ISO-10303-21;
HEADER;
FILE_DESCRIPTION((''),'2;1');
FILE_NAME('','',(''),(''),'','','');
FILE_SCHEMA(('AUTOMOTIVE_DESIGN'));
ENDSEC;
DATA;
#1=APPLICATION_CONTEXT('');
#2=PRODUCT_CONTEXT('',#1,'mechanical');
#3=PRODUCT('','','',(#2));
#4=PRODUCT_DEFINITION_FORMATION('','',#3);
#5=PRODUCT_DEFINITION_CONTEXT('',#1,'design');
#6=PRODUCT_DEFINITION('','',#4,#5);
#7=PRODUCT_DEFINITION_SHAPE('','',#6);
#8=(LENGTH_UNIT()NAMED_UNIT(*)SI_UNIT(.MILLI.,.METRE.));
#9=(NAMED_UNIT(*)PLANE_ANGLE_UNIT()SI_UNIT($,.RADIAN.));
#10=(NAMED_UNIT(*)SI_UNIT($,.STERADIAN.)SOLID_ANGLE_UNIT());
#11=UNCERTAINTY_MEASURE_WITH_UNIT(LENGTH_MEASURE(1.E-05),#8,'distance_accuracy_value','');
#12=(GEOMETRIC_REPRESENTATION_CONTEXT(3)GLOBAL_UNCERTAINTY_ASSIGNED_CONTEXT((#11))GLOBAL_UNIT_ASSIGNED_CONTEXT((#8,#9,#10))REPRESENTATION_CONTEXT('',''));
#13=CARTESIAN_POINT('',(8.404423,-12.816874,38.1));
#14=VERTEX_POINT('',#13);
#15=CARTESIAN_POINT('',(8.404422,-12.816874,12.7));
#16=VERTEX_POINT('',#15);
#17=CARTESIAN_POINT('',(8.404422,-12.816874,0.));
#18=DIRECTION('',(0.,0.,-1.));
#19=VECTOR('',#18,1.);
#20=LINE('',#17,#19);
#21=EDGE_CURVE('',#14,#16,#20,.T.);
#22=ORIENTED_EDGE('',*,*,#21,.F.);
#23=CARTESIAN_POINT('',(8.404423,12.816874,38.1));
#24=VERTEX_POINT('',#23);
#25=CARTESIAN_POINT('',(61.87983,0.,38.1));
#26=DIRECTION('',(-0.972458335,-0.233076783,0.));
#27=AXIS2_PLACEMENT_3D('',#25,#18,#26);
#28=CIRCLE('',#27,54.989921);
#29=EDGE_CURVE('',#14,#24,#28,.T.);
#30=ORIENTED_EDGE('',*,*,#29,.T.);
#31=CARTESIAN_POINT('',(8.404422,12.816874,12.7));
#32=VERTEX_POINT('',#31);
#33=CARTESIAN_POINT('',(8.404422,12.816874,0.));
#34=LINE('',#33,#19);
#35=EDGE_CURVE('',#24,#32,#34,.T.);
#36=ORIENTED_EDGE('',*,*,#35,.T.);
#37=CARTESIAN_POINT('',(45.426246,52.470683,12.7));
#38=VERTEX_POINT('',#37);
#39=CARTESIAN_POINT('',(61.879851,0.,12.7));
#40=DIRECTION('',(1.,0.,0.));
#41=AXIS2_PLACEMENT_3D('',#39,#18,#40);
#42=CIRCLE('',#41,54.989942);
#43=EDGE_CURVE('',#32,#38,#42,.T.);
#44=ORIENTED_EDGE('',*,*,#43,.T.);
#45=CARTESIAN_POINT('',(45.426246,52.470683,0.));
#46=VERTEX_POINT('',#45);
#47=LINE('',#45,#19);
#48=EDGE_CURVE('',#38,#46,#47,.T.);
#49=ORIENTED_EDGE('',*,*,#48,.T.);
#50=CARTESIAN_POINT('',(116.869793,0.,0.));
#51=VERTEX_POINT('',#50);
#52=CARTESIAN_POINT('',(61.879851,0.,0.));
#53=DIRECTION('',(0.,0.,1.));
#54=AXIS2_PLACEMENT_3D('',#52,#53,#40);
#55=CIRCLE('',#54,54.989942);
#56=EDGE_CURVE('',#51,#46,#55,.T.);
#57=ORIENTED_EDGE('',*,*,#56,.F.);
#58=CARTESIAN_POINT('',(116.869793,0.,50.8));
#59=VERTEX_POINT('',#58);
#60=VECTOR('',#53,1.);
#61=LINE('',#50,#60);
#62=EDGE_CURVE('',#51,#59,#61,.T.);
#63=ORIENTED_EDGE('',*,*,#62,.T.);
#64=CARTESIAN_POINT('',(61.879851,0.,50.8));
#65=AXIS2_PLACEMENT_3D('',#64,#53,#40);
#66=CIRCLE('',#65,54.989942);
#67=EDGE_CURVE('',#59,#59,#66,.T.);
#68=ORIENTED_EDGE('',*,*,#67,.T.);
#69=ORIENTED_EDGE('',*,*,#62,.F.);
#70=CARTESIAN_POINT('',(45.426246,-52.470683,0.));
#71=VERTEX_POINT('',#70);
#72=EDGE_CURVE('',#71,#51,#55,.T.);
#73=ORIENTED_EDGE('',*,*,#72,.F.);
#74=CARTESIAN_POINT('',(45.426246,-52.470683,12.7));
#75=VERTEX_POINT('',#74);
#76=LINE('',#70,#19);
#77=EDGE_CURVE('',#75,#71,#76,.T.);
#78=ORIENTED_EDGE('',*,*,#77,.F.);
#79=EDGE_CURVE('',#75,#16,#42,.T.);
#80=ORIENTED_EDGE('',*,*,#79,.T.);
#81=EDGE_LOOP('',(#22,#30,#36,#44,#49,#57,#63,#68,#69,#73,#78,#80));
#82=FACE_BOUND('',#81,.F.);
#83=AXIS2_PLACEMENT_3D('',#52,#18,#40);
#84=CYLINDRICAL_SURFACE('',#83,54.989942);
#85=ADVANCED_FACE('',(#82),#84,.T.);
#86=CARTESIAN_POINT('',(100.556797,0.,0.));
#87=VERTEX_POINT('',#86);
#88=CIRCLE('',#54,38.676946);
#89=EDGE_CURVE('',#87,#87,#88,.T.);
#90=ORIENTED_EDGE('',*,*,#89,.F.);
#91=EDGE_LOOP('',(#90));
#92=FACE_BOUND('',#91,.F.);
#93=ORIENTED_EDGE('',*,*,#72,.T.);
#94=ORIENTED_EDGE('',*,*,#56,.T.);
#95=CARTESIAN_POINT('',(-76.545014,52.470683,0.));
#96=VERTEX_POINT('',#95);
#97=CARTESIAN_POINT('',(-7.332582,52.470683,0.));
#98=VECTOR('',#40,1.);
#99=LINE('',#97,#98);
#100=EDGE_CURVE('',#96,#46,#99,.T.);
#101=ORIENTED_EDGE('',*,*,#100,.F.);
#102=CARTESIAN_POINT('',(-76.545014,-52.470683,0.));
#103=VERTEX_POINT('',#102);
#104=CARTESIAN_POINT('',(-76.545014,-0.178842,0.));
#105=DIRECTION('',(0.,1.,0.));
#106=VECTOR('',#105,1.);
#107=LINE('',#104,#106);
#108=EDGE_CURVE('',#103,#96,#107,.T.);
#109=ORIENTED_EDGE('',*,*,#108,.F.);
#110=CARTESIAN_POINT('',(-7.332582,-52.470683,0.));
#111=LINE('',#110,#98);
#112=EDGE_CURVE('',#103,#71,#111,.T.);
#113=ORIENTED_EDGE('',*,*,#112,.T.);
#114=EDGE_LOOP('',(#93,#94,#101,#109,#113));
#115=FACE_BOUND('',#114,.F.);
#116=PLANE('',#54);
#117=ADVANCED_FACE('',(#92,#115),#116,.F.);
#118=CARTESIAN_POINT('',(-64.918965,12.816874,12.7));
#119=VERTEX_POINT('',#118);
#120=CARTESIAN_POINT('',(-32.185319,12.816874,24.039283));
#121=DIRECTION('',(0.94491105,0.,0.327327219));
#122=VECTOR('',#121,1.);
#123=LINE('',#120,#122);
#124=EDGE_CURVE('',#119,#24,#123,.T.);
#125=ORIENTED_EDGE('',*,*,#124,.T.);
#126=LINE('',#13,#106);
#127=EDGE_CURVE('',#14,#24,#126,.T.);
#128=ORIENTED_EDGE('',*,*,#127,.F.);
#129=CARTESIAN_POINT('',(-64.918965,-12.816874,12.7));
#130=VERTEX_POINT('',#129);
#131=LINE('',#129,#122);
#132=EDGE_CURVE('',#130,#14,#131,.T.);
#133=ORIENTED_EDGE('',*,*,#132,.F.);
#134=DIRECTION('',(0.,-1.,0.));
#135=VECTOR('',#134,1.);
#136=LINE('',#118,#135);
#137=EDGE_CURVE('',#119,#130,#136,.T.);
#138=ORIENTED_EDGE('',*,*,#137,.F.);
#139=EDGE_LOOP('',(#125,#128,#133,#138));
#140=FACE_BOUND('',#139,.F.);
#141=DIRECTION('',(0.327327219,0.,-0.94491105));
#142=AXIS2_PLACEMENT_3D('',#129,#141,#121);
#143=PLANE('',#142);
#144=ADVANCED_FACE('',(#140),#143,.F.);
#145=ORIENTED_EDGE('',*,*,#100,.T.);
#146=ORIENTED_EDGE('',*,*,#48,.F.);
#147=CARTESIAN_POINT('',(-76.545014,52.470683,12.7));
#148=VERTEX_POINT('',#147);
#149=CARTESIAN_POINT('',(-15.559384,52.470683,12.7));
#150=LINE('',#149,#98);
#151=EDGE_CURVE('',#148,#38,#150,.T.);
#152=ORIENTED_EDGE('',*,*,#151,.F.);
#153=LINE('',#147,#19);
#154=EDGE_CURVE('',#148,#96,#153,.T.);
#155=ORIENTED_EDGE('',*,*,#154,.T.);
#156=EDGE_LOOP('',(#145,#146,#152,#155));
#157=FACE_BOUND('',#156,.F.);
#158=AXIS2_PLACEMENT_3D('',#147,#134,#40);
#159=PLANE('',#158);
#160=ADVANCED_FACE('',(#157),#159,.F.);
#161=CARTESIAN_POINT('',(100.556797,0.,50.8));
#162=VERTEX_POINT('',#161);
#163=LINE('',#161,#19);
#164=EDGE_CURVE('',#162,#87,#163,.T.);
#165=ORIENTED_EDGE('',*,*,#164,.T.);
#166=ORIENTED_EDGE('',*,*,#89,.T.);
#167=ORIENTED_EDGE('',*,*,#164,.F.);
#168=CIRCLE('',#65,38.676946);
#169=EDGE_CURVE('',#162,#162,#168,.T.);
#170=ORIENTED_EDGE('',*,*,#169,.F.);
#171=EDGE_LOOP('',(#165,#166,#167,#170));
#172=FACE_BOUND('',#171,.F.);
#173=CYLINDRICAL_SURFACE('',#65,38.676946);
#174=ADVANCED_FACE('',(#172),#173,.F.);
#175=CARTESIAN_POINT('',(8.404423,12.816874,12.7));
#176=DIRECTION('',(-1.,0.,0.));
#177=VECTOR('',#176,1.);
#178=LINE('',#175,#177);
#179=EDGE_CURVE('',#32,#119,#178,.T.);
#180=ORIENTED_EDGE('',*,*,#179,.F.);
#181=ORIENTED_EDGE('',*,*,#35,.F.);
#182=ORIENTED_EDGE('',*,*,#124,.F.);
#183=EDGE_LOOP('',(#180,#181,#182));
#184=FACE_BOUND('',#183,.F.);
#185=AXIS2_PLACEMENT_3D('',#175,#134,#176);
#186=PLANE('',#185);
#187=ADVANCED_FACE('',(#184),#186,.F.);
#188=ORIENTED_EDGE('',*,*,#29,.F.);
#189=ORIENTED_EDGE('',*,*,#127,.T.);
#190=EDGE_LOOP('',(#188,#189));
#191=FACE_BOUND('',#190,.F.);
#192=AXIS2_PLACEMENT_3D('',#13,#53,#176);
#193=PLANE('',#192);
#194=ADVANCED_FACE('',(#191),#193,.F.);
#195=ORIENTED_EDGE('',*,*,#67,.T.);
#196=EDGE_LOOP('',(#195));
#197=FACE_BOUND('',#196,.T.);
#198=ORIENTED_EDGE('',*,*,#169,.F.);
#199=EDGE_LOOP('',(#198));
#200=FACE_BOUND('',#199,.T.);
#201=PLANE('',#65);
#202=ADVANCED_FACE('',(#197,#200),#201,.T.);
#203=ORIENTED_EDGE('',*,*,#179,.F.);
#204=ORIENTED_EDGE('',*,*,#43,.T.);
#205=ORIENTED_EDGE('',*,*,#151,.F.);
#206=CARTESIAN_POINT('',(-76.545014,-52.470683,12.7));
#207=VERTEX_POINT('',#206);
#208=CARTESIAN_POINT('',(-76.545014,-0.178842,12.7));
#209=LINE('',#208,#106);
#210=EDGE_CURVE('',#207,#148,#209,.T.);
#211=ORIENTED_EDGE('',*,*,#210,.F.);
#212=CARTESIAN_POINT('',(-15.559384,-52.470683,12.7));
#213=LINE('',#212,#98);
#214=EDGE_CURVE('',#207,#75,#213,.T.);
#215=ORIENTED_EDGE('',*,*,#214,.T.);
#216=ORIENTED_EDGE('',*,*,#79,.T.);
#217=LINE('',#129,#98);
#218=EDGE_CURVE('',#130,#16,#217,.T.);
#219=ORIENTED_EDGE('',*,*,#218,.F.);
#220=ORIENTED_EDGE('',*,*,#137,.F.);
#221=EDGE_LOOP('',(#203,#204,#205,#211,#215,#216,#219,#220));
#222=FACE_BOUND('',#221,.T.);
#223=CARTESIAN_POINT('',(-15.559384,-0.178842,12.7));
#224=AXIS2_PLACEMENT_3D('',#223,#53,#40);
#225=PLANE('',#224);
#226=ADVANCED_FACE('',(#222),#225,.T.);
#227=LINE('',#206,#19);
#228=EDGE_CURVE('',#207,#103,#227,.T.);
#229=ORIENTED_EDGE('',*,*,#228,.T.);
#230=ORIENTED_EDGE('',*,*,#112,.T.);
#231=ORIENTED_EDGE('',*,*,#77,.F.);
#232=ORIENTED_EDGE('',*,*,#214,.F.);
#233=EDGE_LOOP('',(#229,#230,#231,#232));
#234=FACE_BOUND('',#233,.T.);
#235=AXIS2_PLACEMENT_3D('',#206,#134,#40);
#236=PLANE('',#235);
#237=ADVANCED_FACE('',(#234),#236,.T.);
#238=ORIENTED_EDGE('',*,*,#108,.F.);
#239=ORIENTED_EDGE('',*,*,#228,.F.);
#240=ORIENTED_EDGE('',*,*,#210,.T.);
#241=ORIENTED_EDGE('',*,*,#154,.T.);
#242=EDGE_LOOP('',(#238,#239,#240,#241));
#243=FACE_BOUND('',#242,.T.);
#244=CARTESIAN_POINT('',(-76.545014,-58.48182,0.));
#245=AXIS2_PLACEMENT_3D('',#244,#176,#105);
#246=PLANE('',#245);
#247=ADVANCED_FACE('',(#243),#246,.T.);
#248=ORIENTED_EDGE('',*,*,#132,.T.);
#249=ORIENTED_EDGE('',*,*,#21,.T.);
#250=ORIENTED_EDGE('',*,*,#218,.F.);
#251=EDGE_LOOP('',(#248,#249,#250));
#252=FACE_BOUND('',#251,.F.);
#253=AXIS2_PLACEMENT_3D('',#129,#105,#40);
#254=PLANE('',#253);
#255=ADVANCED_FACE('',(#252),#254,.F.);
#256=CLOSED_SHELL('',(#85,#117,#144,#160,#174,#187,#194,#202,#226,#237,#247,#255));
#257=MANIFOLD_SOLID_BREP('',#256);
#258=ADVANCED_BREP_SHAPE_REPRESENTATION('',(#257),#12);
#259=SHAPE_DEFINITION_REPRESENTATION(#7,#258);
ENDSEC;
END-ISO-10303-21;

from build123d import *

# Parameters (mm, degrees)
F0_W      = 121.971261
F0_H      = 116.605956
F1_DEPTH  = 12.7
F2_R      = 54.989942
F3_DEPTH  = 50.8
F4_R      = 38.676946
F5_DEPTH  = 101.6
F7_DEPTH  = 25.4
F9_DEPTH  = 50.8
F10_W     = 121.971261
F10_H     = 6.011137
F11_DEPTH = 25.4
F12_W     = 121.971261
F12_H     = 5.653453
F13_DEPTH = 25.4


with BuildPart() as f1:
    # F0 (on Top) → F1 (new body)
    with BuildSketch(Plane.XY):
        with Locations((-15.559384, -0.178842)):
            Rectangle(F0_W, F0_H)
    extrude(amount=F1_DEPTH)

    # F2 (on Top) → F3 (join)
    with BuildSketch(Plane.XY):
        with Locations((61.879851, 0)):
            Circle(F2_R)
    extrude(amount=F3_DEPTH)

    # F4 (on face) → F5 (cut)
    with BuildSketch(Plane.XY.offset(50.8)):
        with Locations((61.879851, 0)):
            Circle(F4_R)
    extrude(amount=-F5_DEPTH, mode=Mode.SUBTRACT)

    # F6 (on face) → F7 (join)
    with BuildSketch(Plane.XY.offset(12.7)):
        with BuildLine():
            ThreePointArc((8.404423, -12.816874), (6.889909, 0), (8.404423, 12.816874))
            Line((8.404423, 12.816874), (-64.918965, 12.816874))
            Line((-64.918965, 12.816874), (-64.918965, -12.816874))
            Line((-64.918965, -12.816874), (8.404423, -12.816874))
        make_face()
    extrude(amount=F7_DEPTH)

    # F8 (on face) → F9 (cut)
    with BuildSketch(Plane.XZ.offset(12.816874)):
        Polygon((-64.918965, 12.7), (8.404423, 38.1), (-64.918965, 38.1), align=None)
    extrude(amount=-F9_DEPTH, mode=Mode.SUBTRACT)

    # F10 (on face) → F11 (cut)
    with BuildSketch(Plane.XY.offset(12.7)):
        with Locations((-15.559384, -55.476252)):
            Rectangle(F10_W, F10_H)
    extrude(amount=-F11_DEPTH, mode=Mode.SUBTRACT)

    # F12 (on face) → F13 (cut)
    with BuildSketch(Plane.XY.offset(12.7)):
        with Locations((-15.559384, 55.29741)):
            Rectangle(F12_W, F12_H)
    extrude(amount=-F13_DEPTH, mode=Mode.SUBTRACT)


solid = f1.part
